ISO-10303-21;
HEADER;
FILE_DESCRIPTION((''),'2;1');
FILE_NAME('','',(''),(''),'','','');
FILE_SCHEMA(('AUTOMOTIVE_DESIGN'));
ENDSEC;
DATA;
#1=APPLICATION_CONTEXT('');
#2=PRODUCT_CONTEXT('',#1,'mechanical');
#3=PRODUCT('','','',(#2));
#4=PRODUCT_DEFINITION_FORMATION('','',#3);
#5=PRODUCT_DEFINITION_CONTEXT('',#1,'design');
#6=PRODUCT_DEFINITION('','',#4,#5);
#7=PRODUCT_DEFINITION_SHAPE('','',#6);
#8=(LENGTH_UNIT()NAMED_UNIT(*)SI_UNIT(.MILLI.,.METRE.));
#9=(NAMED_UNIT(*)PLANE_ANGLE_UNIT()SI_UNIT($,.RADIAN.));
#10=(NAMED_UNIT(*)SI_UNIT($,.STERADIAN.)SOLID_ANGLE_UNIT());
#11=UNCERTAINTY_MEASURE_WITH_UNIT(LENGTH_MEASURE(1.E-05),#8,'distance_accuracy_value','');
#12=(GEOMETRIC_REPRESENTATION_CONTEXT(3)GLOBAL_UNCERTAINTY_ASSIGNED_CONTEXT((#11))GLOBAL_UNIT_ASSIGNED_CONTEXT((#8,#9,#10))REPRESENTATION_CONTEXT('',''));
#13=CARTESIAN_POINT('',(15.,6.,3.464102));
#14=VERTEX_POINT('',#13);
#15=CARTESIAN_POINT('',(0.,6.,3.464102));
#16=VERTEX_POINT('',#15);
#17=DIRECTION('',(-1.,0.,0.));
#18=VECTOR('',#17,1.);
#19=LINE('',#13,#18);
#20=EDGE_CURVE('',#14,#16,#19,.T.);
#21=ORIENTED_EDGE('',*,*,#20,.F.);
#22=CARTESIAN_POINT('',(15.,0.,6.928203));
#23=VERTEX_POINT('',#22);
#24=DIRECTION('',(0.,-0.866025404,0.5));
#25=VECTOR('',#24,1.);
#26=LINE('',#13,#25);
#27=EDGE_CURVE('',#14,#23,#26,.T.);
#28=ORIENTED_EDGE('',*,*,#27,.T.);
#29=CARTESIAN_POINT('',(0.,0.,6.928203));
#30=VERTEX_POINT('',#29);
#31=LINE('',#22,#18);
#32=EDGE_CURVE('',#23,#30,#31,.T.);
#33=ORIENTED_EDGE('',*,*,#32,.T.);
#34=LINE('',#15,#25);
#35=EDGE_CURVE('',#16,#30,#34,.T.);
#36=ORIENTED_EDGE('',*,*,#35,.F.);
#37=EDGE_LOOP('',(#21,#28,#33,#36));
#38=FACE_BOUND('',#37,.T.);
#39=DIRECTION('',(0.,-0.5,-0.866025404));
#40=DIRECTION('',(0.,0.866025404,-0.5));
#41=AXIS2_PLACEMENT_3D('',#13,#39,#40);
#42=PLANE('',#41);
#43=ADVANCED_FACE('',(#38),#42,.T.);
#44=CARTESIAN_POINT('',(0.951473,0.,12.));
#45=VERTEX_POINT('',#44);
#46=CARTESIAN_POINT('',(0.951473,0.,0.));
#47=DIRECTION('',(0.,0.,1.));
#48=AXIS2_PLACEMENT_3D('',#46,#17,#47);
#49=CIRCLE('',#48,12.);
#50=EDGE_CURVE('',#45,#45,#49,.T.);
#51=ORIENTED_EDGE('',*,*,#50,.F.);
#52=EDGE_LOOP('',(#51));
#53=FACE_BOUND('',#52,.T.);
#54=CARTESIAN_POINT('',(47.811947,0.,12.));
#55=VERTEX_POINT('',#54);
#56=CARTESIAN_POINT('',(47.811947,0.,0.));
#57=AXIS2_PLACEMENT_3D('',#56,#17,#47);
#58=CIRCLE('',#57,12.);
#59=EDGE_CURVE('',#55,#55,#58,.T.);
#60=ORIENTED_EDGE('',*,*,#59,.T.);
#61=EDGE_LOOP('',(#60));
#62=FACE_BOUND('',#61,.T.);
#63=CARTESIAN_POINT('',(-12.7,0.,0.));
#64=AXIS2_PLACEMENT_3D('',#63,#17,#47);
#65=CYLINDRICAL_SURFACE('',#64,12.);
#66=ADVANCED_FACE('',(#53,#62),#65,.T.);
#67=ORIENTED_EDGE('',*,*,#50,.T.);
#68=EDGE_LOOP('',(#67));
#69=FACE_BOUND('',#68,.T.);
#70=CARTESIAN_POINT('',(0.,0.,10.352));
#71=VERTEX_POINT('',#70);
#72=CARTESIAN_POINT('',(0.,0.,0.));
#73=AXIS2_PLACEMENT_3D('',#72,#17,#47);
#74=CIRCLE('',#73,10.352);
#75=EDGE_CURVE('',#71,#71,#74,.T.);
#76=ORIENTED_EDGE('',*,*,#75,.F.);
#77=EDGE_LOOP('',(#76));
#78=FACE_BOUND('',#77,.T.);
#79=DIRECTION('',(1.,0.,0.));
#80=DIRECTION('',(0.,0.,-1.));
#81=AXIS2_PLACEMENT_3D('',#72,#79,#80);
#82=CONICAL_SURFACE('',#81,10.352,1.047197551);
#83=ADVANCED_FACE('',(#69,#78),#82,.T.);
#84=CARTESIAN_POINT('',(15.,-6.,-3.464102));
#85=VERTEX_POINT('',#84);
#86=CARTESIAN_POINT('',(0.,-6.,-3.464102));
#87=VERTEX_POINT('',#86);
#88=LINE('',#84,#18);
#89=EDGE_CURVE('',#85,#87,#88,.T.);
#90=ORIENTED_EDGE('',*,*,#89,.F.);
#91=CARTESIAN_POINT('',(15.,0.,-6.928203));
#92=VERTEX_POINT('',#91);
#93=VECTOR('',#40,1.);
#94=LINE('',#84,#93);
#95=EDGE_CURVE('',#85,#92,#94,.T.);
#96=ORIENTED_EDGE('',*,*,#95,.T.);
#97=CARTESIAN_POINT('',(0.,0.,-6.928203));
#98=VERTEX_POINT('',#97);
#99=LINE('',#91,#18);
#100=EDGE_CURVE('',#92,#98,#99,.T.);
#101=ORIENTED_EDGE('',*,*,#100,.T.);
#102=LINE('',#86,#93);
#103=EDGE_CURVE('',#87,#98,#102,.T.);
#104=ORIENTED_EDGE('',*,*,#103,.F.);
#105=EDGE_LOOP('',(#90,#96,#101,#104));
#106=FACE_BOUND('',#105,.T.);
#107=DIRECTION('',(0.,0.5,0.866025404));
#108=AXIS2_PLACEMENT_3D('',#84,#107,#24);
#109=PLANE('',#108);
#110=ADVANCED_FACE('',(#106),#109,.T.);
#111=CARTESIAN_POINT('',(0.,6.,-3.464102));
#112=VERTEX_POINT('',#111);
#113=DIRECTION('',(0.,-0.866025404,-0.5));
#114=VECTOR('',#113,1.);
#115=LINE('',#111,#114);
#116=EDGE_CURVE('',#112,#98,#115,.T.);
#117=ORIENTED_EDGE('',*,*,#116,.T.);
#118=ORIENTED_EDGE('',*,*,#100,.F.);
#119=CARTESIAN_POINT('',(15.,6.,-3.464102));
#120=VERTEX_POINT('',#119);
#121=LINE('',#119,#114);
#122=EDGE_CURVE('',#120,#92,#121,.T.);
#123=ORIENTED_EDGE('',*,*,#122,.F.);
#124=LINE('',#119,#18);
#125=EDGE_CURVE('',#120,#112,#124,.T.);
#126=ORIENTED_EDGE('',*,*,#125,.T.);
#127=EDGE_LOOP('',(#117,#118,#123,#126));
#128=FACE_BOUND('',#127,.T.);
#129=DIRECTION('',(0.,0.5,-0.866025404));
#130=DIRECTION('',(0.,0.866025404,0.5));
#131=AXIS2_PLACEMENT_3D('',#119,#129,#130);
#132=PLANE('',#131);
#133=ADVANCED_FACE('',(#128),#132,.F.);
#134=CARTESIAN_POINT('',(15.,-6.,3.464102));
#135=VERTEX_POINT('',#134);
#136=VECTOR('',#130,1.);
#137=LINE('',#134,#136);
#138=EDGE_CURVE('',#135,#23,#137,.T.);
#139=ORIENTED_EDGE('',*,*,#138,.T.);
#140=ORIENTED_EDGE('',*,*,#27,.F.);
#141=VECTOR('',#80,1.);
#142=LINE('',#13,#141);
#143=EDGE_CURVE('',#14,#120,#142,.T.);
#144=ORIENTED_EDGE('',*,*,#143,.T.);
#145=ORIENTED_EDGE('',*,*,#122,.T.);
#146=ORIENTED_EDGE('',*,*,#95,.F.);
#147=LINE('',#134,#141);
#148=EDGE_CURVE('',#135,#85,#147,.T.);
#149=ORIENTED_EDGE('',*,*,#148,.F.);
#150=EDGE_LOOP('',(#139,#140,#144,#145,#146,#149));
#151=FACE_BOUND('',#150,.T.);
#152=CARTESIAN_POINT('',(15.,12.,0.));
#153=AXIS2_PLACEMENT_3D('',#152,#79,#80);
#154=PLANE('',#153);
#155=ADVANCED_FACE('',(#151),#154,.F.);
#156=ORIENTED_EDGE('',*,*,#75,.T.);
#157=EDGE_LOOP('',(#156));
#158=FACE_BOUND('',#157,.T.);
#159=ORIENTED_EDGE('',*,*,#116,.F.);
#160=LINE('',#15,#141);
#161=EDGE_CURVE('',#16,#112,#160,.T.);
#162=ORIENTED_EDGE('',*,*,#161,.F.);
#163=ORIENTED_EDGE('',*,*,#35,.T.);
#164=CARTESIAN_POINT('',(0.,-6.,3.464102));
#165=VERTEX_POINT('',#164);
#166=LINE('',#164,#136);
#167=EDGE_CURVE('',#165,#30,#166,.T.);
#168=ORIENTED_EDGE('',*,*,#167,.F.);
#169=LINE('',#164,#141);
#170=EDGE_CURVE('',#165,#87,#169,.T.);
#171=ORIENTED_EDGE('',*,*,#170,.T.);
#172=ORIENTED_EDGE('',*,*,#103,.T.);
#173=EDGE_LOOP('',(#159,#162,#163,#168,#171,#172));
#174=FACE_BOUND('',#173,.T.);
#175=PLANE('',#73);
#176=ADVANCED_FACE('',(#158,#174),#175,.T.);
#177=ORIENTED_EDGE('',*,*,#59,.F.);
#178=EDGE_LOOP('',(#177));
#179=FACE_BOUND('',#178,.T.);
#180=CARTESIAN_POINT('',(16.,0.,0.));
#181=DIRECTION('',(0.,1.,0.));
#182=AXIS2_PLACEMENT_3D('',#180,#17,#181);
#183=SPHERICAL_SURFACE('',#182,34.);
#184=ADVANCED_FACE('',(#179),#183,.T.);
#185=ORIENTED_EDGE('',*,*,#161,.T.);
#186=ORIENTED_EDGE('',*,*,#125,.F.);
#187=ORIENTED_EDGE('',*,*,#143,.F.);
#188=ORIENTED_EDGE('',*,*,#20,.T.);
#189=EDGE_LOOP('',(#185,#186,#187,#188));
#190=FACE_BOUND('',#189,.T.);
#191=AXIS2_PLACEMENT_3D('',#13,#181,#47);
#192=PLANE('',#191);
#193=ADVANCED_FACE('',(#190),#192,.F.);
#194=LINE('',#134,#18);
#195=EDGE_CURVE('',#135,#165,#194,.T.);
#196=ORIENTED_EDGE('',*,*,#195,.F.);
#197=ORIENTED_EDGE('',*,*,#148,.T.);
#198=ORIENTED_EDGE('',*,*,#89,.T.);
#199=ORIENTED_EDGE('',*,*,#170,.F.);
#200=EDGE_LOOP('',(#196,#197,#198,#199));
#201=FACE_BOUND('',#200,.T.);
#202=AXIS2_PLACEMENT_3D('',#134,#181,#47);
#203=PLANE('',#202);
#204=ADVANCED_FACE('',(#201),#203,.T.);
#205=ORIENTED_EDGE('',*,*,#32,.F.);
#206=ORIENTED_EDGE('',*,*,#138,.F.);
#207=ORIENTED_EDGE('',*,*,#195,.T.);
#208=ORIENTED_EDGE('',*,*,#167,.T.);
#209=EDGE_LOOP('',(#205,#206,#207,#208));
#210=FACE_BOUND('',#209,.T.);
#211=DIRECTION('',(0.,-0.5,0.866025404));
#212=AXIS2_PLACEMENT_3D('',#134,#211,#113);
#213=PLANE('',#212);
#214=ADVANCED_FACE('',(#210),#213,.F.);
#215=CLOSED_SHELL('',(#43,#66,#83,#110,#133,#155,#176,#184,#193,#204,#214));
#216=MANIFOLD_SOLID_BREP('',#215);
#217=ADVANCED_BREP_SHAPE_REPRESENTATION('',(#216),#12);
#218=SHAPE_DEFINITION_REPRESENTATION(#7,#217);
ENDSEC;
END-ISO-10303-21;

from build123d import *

# Parameters (mm, degrees)
HEX_2_DEPTH = 15


with BuildPart() as part:
    # BodySke → BaseBody (revolve)
    with BuildSketch(Plane.XY, mode=Mode.PRIVATE) as basebody_sk:
        with BuildLine():
            Line((0, 0), (0, 10.352))
            Line((0, 10.352), (0.951473244, 12))
            Line((0.951473244, 12), (47.811947441, 12))
            ThreePointArc((47.811947441, 12), (49.448514264, 6.098925602), (50, 0))
            Line((50, 0), (0, 0))
        make_face()
    revolve(basebody_sk.sketch.rotate(Axis((-12.7, 0, 0), (1, 0, 0)), 90), axis=Axis((-12.7, 0, 0), (1, 0, 0)))

    # Sketch2 → Hex 2 (cut)
    with BuildSketch(Plane.ZY):
        Polygon((3.464101615, 6), (-3.464101615, 6), (-6.92820323, 0), (-3.464101615, -6), (3.464101615, -6), (6.92820323, 0), align=None)
    extrude(amount=-HEX_2_DEPTH, mode=Mode.SUBTRACT)


solid = part.part
